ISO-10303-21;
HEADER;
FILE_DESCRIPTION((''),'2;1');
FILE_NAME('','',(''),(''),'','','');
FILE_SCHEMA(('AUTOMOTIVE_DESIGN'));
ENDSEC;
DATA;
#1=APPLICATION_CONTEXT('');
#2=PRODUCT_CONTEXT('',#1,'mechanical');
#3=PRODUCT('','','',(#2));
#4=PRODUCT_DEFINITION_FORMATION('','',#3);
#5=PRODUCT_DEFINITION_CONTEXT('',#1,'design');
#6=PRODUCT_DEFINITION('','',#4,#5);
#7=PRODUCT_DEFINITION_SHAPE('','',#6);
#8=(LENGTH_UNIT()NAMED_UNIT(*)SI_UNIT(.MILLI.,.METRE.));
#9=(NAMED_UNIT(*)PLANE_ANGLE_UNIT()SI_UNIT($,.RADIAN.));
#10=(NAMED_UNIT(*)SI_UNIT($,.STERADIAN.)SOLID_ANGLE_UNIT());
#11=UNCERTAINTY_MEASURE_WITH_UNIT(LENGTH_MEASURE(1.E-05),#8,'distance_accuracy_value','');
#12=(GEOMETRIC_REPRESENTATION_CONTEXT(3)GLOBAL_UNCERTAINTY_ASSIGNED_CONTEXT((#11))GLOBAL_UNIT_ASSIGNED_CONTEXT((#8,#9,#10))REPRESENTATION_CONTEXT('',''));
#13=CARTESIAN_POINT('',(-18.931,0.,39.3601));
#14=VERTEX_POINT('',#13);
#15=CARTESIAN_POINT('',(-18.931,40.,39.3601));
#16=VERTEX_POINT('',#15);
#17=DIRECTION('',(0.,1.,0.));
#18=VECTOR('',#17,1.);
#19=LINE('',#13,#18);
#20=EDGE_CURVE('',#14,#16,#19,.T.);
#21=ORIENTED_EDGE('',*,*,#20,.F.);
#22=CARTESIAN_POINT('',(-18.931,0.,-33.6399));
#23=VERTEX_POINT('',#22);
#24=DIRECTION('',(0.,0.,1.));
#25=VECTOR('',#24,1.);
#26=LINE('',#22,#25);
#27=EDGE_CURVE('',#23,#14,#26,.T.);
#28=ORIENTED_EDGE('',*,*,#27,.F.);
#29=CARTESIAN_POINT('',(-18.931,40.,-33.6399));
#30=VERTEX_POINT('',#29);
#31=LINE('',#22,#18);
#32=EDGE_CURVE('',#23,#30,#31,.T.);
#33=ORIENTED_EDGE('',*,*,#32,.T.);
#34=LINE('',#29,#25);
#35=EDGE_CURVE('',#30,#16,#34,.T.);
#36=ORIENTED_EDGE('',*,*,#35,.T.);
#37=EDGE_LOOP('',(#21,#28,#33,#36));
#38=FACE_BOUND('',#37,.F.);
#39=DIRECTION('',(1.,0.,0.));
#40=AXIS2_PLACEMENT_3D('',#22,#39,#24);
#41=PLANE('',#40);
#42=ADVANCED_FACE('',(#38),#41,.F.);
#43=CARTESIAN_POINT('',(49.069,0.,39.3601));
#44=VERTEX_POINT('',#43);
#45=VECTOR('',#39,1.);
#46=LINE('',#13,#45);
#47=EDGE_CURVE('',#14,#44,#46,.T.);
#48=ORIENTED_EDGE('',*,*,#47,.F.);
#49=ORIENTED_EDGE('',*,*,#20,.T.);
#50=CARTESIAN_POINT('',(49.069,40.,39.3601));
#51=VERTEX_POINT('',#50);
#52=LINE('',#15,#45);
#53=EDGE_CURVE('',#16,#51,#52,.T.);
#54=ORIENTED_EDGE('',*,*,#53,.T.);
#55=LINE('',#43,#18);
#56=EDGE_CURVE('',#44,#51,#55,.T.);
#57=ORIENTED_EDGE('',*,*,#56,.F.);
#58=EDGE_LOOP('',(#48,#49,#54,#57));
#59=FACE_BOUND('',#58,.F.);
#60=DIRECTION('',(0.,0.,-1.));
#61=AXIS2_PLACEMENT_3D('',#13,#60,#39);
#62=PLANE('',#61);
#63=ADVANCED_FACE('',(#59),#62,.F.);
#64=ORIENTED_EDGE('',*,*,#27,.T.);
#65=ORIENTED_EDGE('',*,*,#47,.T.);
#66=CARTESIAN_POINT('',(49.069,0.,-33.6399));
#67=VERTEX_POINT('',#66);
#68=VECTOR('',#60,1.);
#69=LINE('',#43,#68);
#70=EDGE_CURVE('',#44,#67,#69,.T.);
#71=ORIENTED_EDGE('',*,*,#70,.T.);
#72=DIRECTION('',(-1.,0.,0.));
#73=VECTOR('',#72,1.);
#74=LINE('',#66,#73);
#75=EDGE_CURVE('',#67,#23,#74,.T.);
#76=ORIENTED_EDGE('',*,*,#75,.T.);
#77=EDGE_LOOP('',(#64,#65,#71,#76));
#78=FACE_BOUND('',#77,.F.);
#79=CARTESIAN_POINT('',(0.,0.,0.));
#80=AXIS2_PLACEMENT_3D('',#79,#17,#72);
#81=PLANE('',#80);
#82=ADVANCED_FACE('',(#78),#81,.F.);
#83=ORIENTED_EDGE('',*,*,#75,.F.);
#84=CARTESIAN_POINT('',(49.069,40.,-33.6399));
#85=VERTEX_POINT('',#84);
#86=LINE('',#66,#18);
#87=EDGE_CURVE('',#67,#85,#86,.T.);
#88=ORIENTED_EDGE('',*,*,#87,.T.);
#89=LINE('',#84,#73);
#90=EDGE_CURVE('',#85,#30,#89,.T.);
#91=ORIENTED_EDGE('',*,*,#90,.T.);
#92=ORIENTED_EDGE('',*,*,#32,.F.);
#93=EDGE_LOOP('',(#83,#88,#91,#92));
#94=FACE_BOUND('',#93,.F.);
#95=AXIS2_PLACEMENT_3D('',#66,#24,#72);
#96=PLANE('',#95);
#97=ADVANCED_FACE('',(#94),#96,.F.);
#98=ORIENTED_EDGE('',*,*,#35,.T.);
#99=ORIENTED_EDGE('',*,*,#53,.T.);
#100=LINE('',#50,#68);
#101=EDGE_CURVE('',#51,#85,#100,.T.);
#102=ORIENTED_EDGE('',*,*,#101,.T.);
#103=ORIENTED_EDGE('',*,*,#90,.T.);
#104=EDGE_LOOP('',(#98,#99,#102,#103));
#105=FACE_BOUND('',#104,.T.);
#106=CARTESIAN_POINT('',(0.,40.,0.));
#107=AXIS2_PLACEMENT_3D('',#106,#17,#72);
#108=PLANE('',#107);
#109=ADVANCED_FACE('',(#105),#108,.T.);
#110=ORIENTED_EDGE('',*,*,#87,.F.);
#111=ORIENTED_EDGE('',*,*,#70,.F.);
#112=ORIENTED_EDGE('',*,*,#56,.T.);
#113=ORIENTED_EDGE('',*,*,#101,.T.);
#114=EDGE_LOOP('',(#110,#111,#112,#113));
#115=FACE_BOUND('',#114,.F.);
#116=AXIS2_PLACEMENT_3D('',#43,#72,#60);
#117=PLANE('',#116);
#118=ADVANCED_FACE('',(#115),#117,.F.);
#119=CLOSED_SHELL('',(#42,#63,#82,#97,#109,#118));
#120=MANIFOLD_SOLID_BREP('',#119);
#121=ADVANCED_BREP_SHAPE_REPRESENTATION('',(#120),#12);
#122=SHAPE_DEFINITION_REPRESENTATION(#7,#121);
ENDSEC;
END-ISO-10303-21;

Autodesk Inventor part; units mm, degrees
ref_plane "YZ Plane" through (0, 0, 0) normal (1, 0, 0) x (0, 1, 0)
ref_plane "XZ Plane" through (0, 0, 0) normal (0, 1, 0) x (-1, 0, 0)
ref_plane "XY Plane" through (0, 0, 0) normal (0, 0, 1) x (1, 0, 0)
sketch "Sketch1" plane through (0, 0, 0) normal (0, 1, 0) x (-1, 0, 0)
  line L0 (18.931, 39.3601) -> (-49.069, 39.3601)
  line L1 (-49.069, 39.3601) -> (-49.069, -33.6399)
  line L2 (-49.069, -33.6399) -> (18.931, -33.6399)
  line L3 (18.931, -33.6399) -> (18.931, 39.3601)
  point P0 (0, 0)
  dimension "d0" = 73
  dimension "d1" = 68
extrude "Extrusion1" add sketch "Sketch1" along normal blind 40
properties part number "small24v2600mahbattery"
